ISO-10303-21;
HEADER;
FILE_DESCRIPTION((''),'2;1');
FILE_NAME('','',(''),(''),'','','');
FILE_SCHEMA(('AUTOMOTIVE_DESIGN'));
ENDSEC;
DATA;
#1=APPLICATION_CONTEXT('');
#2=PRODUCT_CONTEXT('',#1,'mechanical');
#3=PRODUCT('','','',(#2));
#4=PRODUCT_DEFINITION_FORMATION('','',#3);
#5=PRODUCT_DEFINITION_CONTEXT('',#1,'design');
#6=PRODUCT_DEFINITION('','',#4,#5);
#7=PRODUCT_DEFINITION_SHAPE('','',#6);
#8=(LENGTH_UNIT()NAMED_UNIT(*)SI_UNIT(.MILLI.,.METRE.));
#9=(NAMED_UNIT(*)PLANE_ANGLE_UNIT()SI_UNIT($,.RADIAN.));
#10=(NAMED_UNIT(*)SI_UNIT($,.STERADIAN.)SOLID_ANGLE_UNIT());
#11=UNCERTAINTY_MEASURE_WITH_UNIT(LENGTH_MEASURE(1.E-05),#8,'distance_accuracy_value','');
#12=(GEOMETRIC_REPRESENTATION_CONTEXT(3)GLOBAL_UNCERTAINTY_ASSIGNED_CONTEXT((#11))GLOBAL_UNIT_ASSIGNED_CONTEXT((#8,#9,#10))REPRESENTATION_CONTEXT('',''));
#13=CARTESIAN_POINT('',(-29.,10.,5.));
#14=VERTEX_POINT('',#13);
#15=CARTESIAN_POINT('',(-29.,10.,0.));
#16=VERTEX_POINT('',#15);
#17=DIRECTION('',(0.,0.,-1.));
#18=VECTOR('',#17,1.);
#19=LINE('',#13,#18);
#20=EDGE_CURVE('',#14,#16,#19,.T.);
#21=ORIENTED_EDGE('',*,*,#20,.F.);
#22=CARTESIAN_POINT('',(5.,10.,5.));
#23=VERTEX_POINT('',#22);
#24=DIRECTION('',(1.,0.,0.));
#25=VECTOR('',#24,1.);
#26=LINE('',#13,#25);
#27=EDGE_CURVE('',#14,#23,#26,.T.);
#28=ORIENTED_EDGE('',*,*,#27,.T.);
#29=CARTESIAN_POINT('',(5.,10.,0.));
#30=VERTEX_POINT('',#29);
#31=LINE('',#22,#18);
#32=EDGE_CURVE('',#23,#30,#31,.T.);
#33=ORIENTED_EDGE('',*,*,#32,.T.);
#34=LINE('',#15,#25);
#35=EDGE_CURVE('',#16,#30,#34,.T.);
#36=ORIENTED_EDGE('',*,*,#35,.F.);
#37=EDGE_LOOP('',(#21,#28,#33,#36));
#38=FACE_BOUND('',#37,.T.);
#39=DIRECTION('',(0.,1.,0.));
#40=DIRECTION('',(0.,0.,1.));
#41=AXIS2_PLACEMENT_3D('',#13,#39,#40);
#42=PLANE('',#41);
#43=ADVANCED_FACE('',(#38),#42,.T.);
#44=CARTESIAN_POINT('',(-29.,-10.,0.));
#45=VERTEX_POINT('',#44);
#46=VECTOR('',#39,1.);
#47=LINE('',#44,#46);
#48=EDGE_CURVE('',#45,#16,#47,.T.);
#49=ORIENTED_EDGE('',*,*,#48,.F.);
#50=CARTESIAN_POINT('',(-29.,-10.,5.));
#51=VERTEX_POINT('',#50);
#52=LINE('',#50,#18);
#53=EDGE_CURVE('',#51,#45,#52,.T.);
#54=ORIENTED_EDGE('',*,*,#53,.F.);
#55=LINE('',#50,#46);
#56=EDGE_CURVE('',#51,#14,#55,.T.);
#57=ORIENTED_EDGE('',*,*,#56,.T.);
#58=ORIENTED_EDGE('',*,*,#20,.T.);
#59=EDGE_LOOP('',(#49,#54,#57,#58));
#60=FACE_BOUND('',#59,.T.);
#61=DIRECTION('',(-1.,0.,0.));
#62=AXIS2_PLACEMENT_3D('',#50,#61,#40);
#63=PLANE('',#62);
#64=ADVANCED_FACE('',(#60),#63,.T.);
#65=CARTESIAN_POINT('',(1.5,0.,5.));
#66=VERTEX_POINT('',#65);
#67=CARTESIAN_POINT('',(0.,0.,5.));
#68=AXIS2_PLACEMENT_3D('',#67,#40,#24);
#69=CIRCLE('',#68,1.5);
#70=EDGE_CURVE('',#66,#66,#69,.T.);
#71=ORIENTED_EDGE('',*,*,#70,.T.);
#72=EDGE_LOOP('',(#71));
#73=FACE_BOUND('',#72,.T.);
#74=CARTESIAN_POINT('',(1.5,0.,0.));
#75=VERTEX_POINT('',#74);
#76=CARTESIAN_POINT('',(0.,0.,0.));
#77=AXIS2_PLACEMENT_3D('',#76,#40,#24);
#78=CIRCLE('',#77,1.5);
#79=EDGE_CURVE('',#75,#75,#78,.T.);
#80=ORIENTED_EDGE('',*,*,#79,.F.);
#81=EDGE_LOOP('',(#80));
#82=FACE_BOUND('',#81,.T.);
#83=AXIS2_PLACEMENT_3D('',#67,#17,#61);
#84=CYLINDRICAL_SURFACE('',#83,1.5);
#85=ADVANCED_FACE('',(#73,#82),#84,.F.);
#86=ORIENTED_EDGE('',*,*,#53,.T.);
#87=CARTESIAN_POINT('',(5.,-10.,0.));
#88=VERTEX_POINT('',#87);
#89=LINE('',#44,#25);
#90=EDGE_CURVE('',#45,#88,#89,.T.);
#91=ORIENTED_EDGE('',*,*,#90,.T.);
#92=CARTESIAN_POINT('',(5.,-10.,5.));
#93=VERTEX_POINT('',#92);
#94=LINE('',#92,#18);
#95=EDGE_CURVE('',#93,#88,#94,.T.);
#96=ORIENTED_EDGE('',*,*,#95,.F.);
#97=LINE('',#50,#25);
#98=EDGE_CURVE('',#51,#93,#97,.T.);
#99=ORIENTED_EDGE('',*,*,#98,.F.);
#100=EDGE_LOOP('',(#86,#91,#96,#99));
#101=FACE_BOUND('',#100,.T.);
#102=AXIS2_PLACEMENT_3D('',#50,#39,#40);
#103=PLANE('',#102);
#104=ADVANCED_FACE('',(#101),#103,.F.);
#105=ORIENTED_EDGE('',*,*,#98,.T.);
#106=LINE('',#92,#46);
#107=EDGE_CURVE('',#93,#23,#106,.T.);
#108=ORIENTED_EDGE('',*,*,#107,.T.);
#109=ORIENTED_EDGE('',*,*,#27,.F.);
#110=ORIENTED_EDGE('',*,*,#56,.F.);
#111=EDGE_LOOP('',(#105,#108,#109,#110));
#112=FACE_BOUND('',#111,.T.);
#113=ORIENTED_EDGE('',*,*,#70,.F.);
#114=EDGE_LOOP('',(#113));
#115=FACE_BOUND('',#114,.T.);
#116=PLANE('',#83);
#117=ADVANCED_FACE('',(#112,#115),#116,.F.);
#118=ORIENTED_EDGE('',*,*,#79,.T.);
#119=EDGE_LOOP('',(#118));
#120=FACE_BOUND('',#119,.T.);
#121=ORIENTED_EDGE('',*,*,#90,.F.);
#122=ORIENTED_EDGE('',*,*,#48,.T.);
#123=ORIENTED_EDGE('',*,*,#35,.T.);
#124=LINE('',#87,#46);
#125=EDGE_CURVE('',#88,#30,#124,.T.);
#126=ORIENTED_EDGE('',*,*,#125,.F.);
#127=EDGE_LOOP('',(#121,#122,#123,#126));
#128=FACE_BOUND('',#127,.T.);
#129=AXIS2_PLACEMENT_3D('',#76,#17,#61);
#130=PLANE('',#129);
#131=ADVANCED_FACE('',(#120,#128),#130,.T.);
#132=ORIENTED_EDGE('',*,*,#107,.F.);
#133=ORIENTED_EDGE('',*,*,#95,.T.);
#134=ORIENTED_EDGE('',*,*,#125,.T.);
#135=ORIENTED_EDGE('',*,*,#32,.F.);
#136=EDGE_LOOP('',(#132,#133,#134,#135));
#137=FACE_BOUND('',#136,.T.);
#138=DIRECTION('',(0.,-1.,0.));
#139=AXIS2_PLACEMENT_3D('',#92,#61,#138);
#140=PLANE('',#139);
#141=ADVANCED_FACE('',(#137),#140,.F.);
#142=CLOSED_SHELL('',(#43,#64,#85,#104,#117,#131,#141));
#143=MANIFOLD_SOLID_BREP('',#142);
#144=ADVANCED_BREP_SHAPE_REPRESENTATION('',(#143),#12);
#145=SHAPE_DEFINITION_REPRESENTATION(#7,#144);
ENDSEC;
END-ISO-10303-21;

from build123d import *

# Parameters (mm, degrees)
SKETCH_1_W      = 34
SKETCH_1_H      = 20
SKETCH_1_R      = 1.5
EXTRUDE_1_DEPTH = 5


with BuildPart() as part:
    # 草图1 → 凸台-拉伸1 (new body)
    with BuildSketch(Plane.XY):
        with Locations((-12, 0)):
            Rectangle(SKETCH_1_W, SKETCH_1_H)
        Circle(SKETCH_1_R, mode=Mode.SUBTRACT)
    extrude(amount=EXTRUDE_1_DEPTH)


solid = part.part
